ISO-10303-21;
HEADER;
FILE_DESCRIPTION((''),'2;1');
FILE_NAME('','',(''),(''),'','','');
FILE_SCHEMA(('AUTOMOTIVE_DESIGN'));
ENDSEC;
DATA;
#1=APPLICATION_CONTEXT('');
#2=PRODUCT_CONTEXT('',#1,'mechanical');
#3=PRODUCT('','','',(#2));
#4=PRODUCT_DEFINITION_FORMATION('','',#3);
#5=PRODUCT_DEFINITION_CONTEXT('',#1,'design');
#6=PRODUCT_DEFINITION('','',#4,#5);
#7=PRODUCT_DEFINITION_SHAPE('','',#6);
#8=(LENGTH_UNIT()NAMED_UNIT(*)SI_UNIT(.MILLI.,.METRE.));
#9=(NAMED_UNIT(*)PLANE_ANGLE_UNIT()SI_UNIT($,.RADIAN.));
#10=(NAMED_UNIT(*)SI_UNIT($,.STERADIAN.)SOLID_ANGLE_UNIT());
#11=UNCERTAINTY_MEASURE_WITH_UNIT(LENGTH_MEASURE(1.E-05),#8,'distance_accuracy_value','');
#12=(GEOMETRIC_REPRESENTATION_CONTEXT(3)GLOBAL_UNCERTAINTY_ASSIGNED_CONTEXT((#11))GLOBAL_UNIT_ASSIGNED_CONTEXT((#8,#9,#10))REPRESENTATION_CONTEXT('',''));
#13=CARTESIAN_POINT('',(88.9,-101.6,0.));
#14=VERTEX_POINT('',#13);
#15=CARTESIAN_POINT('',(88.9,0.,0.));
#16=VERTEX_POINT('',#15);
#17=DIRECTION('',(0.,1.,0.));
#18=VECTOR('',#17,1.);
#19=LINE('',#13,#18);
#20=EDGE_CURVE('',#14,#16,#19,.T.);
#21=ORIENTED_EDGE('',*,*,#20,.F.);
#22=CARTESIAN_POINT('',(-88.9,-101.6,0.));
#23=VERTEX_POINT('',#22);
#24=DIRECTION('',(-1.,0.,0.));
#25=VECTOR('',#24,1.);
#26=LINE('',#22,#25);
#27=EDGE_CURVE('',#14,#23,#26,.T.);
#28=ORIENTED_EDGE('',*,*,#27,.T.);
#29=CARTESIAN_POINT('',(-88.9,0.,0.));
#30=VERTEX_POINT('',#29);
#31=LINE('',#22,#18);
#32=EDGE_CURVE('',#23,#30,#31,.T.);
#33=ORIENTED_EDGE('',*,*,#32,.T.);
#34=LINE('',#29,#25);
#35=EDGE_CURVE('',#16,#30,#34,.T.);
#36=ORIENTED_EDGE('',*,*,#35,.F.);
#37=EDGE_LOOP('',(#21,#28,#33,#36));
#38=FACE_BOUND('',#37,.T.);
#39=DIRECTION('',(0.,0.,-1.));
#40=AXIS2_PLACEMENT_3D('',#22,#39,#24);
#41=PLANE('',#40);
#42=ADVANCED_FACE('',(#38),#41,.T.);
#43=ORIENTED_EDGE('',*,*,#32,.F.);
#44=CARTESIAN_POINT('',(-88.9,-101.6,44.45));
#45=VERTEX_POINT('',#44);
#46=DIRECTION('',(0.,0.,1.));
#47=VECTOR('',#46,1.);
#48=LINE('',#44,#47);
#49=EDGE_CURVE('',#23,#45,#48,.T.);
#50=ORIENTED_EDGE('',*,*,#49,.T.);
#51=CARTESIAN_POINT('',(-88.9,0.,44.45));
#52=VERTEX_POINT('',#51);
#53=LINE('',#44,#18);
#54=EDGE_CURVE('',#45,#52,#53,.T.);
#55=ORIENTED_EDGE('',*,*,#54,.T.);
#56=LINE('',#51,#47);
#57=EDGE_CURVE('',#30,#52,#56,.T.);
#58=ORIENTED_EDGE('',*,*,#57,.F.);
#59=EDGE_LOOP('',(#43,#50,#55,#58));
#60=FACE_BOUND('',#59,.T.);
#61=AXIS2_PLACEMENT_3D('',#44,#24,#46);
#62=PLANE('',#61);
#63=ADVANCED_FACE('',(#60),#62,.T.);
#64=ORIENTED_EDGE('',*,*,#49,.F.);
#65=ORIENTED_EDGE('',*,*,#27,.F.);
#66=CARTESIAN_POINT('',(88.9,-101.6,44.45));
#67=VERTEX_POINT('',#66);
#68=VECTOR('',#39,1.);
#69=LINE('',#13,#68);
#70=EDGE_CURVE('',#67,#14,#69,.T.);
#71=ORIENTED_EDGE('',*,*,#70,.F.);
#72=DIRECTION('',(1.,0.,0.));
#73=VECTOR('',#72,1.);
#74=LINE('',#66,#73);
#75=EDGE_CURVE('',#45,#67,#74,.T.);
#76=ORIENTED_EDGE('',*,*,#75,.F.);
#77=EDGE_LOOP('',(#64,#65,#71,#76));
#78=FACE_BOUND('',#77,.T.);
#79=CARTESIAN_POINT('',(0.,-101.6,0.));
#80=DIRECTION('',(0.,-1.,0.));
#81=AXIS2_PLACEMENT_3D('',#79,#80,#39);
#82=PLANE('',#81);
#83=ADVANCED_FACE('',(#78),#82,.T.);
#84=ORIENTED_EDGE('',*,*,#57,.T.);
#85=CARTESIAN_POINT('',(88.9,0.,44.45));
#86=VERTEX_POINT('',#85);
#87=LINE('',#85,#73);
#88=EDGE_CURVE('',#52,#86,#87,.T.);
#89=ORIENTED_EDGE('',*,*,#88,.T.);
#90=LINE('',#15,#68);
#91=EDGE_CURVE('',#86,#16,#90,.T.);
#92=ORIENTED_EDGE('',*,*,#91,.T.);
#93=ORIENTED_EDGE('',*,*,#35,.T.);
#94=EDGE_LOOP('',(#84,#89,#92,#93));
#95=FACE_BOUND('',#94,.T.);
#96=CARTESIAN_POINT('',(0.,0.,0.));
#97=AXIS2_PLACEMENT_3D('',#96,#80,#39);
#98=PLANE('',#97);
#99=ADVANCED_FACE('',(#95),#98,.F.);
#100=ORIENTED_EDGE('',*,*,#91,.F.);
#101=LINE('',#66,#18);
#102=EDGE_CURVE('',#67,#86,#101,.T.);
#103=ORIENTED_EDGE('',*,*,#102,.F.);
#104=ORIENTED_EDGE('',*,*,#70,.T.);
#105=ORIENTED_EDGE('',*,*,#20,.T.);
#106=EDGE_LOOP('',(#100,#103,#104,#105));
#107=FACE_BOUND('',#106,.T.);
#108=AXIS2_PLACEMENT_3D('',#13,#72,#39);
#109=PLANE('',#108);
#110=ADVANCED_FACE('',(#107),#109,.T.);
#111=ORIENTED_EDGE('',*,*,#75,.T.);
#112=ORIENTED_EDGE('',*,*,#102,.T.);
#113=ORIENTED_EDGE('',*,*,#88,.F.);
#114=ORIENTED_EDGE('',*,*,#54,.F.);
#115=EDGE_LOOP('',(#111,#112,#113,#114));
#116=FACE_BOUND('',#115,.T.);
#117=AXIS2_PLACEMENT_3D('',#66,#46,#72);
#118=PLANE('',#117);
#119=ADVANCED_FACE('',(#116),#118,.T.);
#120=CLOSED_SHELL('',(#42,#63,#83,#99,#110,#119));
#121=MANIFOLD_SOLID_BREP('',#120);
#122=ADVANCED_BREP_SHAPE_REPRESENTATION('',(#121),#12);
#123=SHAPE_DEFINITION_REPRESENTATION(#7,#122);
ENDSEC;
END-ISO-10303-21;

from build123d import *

# Parameters (mm, degrees)
SKETCH2_W           = 177.8
SKETCH2_H           = 44.45
BOSS_EXTRUDE1_DEPTH = 101.6


with BuildPart() as part:
    # Sketch2 → Boss-Extrude1 (new body)
    with BuildSketch(Plane(origin=(0, 0, 0), x_dir=(1, 0, 0), z_dir=(0, 1, 0))):
        with Locations((0, -22.225)):
            Rectangle(SKETCH2_W, SKETCH2_H)
    extrude(amount=-BOSS_EXTRUDE1_DEPTH)


solid = part.part
